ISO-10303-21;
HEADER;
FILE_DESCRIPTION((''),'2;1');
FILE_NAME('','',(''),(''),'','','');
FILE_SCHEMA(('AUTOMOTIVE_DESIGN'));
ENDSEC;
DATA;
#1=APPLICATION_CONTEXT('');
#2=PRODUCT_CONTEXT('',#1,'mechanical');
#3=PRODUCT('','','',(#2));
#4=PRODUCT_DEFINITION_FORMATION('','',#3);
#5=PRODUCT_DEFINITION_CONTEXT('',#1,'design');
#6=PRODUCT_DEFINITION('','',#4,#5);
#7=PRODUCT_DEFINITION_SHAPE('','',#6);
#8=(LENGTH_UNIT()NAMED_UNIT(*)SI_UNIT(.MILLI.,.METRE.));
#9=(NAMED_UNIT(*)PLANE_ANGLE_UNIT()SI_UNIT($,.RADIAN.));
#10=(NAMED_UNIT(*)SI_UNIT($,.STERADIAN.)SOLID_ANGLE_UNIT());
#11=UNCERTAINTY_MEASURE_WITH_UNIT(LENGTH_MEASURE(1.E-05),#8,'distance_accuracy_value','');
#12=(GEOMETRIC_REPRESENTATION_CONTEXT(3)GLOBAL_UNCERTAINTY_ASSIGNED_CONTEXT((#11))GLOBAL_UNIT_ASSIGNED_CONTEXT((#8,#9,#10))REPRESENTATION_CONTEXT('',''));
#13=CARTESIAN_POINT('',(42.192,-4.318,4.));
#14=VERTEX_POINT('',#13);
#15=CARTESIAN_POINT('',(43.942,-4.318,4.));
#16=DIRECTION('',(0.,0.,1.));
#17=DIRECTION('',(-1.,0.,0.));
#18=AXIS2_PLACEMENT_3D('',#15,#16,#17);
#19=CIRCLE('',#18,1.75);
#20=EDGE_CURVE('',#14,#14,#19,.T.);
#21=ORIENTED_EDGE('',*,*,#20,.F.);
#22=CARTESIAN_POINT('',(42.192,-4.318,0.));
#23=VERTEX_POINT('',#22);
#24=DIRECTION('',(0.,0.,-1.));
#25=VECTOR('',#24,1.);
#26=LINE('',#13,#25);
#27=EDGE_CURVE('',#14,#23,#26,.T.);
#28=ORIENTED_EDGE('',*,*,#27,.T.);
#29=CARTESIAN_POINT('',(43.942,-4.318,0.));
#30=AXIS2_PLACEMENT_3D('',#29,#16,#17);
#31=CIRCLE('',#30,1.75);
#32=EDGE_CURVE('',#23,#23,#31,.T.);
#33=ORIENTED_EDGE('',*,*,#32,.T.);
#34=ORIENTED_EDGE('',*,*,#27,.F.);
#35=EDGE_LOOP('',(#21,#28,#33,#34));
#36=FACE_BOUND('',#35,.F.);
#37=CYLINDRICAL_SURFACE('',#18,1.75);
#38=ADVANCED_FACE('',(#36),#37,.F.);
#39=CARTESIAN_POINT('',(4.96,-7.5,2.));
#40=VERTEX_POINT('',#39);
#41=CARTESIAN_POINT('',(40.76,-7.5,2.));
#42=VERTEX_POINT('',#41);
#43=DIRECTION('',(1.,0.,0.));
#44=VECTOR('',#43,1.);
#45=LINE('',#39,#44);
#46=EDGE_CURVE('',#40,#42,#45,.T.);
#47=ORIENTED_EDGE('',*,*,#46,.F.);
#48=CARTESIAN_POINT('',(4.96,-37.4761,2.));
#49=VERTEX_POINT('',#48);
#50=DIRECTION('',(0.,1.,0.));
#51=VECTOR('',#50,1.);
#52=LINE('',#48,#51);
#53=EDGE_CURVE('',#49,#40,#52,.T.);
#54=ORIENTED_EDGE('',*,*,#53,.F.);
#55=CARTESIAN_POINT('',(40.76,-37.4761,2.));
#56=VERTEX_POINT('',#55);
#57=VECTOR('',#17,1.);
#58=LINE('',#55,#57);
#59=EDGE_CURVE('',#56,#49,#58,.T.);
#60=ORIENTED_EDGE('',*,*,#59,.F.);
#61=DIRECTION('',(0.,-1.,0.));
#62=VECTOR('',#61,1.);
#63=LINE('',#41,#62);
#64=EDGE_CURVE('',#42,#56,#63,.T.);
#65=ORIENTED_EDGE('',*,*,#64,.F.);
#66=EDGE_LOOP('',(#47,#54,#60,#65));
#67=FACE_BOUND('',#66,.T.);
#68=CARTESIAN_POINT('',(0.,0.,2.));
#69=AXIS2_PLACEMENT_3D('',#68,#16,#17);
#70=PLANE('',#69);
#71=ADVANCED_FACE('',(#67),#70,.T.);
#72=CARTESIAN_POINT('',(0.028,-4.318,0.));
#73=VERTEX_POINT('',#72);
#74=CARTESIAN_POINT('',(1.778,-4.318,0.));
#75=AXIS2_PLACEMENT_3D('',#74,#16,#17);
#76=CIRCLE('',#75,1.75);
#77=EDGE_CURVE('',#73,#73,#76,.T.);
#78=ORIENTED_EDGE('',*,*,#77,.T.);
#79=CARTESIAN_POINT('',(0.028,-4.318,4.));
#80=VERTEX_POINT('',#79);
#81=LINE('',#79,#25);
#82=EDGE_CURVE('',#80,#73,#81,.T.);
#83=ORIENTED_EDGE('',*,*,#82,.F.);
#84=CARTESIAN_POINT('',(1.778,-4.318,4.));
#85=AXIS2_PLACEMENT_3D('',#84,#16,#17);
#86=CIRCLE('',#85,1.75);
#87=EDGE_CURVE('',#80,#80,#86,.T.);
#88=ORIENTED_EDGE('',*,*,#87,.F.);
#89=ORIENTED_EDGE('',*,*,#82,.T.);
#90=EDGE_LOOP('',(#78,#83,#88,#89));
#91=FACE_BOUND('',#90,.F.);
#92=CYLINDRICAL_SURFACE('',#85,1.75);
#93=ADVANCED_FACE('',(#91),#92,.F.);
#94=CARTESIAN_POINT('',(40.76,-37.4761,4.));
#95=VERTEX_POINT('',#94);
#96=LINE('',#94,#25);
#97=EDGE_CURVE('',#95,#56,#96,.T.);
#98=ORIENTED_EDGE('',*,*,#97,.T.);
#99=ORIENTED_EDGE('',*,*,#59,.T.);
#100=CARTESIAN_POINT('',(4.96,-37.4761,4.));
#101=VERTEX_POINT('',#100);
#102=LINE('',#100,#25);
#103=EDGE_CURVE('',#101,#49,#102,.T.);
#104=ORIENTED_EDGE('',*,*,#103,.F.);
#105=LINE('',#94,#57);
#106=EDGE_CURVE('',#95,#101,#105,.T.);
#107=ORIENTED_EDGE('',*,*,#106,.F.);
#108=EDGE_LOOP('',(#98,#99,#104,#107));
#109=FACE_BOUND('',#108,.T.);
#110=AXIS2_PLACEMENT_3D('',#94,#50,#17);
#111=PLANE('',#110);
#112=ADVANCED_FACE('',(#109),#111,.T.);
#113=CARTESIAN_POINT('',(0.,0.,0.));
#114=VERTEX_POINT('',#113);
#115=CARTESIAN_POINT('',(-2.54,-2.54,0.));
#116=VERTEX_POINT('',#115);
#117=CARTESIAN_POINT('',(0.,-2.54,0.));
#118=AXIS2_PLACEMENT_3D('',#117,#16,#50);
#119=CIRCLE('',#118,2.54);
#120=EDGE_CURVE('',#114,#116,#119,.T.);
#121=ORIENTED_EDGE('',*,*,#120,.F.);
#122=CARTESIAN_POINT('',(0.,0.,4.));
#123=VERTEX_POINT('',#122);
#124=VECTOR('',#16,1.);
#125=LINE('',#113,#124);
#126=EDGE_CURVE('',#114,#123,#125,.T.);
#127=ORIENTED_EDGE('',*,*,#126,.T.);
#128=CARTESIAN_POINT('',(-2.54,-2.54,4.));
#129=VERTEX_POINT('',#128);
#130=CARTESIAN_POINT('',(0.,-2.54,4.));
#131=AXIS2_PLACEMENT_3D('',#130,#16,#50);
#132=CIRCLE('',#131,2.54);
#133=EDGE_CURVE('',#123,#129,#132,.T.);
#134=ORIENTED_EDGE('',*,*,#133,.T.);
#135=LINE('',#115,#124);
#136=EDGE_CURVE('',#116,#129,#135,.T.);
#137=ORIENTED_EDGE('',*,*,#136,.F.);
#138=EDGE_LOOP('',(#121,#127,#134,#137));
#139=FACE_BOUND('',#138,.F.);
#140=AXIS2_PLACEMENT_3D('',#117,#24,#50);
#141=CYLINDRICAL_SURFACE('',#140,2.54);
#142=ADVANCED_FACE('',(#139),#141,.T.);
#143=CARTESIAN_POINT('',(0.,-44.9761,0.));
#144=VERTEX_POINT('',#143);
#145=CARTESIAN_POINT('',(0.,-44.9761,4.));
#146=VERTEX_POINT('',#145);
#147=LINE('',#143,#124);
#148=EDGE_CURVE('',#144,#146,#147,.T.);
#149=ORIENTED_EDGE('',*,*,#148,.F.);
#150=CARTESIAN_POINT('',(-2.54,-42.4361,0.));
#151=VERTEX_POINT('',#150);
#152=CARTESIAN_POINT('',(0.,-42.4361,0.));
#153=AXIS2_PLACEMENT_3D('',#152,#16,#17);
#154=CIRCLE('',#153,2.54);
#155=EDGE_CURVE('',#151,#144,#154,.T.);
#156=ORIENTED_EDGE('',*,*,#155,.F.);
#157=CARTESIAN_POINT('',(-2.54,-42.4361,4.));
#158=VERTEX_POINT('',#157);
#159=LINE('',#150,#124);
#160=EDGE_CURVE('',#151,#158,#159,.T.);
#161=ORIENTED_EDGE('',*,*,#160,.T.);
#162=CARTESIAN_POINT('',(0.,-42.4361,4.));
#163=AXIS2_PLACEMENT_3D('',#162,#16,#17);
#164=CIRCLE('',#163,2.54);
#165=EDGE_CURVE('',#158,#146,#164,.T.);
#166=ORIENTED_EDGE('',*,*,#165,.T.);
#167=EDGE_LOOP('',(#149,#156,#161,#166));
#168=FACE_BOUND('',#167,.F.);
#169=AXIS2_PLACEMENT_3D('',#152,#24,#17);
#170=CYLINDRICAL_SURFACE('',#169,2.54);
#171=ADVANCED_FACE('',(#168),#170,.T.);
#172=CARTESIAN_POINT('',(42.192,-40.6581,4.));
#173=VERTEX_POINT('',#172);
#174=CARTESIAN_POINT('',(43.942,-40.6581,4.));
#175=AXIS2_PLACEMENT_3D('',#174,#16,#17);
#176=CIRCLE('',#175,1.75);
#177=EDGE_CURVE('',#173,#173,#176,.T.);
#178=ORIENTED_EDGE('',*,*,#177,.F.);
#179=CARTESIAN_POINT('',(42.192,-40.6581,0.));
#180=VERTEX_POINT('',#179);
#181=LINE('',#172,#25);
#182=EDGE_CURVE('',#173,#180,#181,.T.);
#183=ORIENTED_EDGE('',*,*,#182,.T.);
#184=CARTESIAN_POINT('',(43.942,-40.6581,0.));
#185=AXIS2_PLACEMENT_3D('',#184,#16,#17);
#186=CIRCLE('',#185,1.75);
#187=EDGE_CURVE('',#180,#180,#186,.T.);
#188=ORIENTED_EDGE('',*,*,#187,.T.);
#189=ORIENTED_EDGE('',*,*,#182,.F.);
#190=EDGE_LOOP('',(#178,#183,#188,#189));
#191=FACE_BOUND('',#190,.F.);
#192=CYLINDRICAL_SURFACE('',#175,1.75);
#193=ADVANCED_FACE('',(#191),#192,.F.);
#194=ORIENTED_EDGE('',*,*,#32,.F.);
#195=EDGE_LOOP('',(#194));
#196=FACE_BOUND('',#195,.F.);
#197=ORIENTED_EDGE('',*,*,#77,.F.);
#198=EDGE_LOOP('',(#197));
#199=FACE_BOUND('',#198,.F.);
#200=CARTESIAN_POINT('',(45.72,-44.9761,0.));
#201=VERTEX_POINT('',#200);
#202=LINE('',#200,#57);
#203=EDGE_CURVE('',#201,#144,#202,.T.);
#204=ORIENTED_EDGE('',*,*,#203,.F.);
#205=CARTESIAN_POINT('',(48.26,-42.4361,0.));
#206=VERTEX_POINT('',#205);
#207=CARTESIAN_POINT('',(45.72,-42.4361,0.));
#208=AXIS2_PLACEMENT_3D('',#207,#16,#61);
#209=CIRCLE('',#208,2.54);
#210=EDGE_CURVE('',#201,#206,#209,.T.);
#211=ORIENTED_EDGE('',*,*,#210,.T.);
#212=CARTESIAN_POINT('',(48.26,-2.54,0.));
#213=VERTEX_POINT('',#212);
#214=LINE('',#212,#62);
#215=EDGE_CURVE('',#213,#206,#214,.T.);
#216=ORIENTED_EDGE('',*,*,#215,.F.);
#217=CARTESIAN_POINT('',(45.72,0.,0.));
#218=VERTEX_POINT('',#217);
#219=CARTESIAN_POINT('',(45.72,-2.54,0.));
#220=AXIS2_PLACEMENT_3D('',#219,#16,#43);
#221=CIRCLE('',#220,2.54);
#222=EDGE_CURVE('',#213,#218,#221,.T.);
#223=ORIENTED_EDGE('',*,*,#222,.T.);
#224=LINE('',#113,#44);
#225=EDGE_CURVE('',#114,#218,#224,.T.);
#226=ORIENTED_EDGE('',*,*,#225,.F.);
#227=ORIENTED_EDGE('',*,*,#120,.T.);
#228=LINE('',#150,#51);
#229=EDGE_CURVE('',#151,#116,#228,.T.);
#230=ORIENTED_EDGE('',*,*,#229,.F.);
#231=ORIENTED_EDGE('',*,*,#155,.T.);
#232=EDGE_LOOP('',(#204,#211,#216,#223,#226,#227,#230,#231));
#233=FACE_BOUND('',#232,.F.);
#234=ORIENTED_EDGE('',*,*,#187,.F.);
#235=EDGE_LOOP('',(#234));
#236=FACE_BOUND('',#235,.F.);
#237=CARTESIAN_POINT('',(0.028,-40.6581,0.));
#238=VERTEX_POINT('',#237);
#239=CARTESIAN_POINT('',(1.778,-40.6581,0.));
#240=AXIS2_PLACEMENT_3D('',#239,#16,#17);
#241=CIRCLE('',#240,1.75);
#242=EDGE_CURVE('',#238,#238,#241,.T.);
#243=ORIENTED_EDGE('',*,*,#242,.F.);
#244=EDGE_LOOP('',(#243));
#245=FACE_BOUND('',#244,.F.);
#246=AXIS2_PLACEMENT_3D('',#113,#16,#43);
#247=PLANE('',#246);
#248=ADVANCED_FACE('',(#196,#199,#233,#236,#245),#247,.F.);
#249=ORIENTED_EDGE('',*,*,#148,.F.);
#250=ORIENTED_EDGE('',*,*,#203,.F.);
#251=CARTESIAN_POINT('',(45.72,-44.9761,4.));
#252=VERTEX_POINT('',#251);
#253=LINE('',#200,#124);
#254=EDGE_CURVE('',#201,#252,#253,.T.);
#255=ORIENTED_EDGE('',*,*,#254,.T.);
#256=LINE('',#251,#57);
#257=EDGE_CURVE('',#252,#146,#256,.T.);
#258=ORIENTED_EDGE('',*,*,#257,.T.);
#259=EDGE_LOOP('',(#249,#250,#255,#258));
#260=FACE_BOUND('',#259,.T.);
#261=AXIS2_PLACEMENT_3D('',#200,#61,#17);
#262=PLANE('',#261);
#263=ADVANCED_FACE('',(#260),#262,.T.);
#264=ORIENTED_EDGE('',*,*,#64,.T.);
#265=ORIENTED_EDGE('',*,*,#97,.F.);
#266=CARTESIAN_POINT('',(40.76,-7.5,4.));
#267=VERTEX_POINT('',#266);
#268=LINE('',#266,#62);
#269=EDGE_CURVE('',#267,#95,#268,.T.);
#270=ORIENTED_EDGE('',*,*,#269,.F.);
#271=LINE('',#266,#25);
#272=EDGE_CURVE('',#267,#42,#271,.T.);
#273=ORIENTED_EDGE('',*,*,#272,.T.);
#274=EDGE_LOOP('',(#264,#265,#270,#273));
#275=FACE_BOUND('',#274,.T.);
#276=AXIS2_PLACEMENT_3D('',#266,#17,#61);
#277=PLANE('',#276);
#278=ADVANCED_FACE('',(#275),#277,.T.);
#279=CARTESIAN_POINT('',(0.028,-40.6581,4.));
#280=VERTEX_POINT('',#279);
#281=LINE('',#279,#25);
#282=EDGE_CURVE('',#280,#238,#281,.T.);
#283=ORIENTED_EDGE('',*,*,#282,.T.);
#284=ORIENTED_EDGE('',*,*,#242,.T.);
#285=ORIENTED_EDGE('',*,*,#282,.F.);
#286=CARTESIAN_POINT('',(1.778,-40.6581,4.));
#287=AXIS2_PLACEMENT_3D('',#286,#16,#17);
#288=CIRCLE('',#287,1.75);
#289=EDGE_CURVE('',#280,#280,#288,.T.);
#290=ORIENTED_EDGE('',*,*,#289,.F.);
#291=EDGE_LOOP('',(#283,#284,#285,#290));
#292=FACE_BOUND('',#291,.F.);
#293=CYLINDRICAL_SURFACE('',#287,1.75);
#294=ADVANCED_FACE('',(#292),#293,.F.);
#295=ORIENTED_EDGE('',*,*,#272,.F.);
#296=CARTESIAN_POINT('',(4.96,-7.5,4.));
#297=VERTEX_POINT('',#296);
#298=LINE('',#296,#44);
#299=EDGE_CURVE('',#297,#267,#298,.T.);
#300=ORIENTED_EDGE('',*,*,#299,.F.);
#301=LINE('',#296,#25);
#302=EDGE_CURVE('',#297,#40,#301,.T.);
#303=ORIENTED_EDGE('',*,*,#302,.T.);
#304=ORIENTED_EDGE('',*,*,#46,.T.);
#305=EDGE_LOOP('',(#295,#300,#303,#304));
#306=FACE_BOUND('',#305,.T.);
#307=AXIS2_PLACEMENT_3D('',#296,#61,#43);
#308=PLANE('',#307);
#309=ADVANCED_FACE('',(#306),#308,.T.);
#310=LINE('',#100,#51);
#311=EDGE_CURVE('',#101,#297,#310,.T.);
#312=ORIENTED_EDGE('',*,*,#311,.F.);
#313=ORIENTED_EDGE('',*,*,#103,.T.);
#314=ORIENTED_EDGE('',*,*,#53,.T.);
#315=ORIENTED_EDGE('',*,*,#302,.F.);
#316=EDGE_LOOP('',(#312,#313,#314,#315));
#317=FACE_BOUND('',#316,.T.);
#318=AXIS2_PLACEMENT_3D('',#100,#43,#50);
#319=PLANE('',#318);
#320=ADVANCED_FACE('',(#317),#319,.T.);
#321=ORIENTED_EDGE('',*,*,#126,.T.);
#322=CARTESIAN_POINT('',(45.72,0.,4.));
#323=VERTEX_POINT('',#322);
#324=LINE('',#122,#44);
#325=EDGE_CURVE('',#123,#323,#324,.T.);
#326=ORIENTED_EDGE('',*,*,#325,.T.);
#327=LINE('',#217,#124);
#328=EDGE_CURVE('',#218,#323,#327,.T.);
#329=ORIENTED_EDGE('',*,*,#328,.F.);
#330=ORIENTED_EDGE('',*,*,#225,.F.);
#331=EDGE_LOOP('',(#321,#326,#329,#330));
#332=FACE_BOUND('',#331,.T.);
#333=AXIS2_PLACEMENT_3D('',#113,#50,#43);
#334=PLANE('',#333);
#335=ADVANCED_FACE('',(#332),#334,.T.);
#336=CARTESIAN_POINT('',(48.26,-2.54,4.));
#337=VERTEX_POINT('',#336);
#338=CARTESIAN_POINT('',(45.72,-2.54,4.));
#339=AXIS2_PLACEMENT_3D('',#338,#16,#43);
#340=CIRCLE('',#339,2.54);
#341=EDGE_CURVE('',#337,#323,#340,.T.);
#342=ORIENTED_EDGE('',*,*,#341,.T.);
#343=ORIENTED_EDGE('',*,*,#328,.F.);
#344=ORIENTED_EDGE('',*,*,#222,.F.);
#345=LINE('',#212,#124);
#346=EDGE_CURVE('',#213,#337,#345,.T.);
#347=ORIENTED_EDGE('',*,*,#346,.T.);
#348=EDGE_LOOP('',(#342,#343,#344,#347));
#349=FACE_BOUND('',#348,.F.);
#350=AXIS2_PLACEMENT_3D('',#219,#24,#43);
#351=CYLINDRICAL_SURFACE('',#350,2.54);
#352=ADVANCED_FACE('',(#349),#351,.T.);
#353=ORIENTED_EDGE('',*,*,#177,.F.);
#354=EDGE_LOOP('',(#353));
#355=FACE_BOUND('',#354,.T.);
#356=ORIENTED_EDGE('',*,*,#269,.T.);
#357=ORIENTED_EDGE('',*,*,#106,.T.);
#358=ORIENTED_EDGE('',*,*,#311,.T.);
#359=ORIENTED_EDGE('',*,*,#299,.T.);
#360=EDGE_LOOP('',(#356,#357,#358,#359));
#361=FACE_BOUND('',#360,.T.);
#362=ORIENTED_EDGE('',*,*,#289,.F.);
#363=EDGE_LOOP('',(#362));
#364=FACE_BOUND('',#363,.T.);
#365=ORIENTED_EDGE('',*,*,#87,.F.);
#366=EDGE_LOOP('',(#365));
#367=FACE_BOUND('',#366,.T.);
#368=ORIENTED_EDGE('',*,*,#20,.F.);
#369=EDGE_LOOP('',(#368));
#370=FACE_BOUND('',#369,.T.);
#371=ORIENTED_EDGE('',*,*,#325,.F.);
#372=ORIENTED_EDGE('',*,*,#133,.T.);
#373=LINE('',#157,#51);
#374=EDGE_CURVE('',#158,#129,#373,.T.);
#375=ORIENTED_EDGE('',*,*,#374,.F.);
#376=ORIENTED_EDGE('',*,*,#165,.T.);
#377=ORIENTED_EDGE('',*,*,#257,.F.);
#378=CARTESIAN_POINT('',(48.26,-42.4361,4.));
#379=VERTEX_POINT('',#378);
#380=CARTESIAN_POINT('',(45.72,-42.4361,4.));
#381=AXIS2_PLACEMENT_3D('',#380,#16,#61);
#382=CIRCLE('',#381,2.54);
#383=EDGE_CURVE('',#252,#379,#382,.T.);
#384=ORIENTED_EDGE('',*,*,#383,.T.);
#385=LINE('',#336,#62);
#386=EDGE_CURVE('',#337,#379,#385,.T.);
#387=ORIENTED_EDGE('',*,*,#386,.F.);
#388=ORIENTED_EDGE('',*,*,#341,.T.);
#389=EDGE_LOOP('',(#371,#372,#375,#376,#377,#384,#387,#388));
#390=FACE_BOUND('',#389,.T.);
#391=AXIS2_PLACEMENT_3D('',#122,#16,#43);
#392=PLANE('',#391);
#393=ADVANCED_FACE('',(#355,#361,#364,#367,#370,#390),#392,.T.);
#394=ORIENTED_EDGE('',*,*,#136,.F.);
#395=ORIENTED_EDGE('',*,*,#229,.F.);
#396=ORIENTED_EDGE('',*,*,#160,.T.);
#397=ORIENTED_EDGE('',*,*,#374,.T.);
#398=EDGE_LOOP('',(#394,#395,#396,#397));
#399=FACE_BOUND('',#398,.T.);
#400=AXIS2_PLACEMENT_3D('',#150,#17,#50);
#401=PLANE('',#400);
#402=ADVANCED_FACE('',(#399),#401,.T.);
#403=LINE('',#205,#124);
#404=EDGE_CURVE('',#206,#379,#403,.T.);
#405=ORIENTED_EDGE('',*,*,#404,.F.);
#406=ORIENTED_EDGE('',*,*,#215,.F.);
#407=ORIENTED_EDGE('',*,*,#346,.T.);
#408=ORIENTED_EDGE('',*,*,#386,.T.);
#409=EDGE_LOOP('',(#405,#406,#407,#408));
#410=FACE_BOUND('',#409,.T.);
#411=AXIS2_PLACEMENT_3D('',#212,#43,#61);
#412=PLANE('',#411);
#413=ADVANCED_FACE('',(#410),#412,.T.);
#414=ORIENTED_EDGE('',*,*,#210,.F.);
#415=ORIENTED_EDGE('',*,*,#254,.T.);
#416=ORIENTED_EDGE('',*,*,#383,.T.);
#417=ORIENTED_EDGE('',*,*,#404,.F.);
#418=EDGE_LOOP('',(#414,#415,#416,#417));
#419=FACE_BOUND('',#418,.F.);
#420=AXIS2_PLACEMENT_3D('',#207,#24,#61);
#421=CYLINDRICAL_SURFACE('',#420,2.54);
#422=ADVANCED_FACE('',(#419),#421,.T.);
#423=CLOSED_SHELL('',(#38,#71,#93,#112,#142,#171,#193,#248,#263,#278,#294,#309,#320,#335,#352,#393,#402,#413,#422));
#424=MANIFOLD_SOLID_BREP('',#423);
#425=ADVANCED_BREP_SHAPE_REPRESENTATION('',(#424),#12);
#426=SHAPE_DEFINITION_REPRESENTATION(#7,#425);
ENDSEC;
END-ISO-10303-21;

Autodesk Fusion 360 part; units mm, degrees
sketch "Sketch10" plane through (0, 0, 0) normal (0, 0, 1) x (1, 0, 0)
  line L0 (0, 0) -> (45.72, 0)
  arc A0 (48.26, -2.54) -> (45.72, 0) centre (45.72, -2.54) ccw
  line L1 (45.72, -2.54) -> (48.26, -2.54) construction
  line L2 (45.72, -2.54) -> (45.72, 0) construction
  line L3 (48.26, -2.54) -> (48.26, -42.4361)
  arc A1 (48.26, -2.54) -> (45.72, 0) centre (45.72, -2.54) ccw
  arc A2 (45.72, -44.9761) -> (48.26, -42.4361) centre (45.72, -42.4361) ccw
  line L4 (0, -42.4361) -> (-2.54, -42.4361) construction
  line L5 (45.72, -44.9761) -> (0, -44.9761)
  arc A3 (-2.54, -42.4361) -> (0, -44.9761) centre (0, -42.4361) ccw
  arc A4 (-2.54, -42.4361) -> (0, -44.9761) centre (0, -42.4361) ccw
  line L6 (0, -42.4361) -> (0, -44.9761) construction
  arc A5 (0, 0) -> (-2.54, -2.54) centre (0, -2.54) ccw
  line L7 (-2.54, -42.4361) -> (-2.54, -2.54)
  point P0 (45.72, -44.9761)
  dimension "d5" = 45.72
  dimension "d7" = 2.54
  dimension "d8" = 90
  dimension "d9" = 39.8961
  dimension "d10" = 2.54
  dimension "d11" = 2.54
  dimension "d12" = 45.72
  dimension "d13" = 2.54
  dimension "d14" = 90
  dimension "d15" = 39.8961
  dimension "d16" = 2.54
  dimension "d17" = 2.54
extrude "Extrude3" add sketch "Sketch10" along normal blind 4
sketch "Sketch11" plane through (0, 0, 4) normal (0, 0, 1) x (-1, 0, 0)
  arc A0 (-45.72, 44.9761) -> (-48.26, 42.4361) centre (-45.72, 42.4361) ccw
  line L0 (-48.26, 42.4361) -> (-48.26, 2.54)
  arc A1 (-48.26, 2.54) -> (-45.72, 0) centre (-45.72, 2.54) ccw
  line L1 (-45.72, 0) -> (0, 0)
  arc A2 (0, 0) -> (2.54, 2.54) centre (0, 2.54) ccw
  line L2 (2.54, 2.54) -> (2.54, 42.4361)
  arc A3 (2.54, 42.4361) -> (0, 44.9761) centre (0, 42.4361) ccw
  line L3 (0, 44.9761) -> (-45.72, 44.9761)
  circle A4 centre (-1.778, 4.318) radius 1.75
  dimension "d22" = 3.5
extrude "Extrude4" cut sketch "Sketch11" against normal blind 4 contours A4
sketch "Sketch12" plane through (0, 0, 4) normal (0, 0, 1) x (-1, 0, 0)
  circle A0 centre (-1.778, 4.318) radius 1.75
  arc A1 (-45.72, 44.9761) -> (-48.26, 42.4361) centre (-45.72, 42.4361) ccw
  line L0 (-48.26, 42.4361) -> (-48.26, 2.54)
  arc A2 (-48.26, 2.54) -> (-45.72, 0) centre (-45.72, 2.54) ccw
  line L1 (-45.72, 0) -> (0, 0)
  arc A3 (0, 0) -> (2.54, 2.54) centre (0, 2.54) ccw
  line L2 (2.54, 2.54) -> (2.54, 42.4361)
  arc A4 (2.54, 42.4361) -> (0, 44.9761) centre (0, 42.4361) ccw
  line L3 (0, 44.9761) -> (-45.72, 44.9761)
  circle A5 centre (-43.942, 4.318) radius 1.75
  dimension "d27" = 3.5
extrude "Extrude5" cut sketch "Sketch12" against normal blind 4 contours A5
sketch "Sketch13" plane through (0, 0, 4) normal (0, 0, 1) x (-1, 0, 0)
  circle A0 centre (-43.942, 4.318) radius 1.75
  circle A1 centre (-1.778, 4.318) radius 1.75
  arc A2 (-45.72, 44.9761) -> (-48.26, 42.4361) centre (-45.72, 42.4361) ccw
  line L0 (-48.26, 42.4361) -> (-48.26, 2.54)
  arc A3 (-48.26, 2.54) -> (-45.72, 0) centre (-45.72, 2.54) ccw
  line L1 (-45.72, 0) -> (0, 0)
  arc A4 (0, 0) -> (2.54, 2.54) centre (0, 2.54) ccw
  line L2 (2.54, 2.54) -> (2.54, 42.4361)
  arc A5 (2.54, 42.4361) -> (0, 44.9761) centre (0, 42.4361) ccw
  line L3 (0, 44.9761) -> (-45.72, 44.9761)
  circle A6 centre (-1.778, 40.6581) radius 1.75
  dimension "d32" = 3.5
extrude "Extrude6" cut sketch "Sketch13" against normal blind 4 contours A6
sketch "Sketch14" plane through (0, 0, 4) normal (0, 0, 1) x (-1, 0, 0)
  circle A0 centre (-1.778, 40.6581) radius 1.75
  circle A1 centre (-43.942, 4.318) radius 1.75
  circle A2 centre (-1.778, 4.318) radius 1.75
  arc A3 (-45.72, 44.9761) -> (-48.26, 42.4361) centre (-45.72, 42.4361) ccw
  line L0 (-48.26, 42.4361) -> (-48.26, 2.54)
  arc A4 (-48.26, 2.54) -> (-45.72, 0) centre (-45.72, 2.54) ccw
  line L1 (-45.72, 0) -> (0, 0)
  arc A5 (0, 0) -> (2.54, 2.54) centre (0, 2.54) ccw
  line L2 (2.54, 2.54) -> (2.54, 42.4361)
  arc A6 (2.54, 42.4361) -> (0, 44.9761) centre (0, 42.4361) ccw
  line L3 (0, 44.9761) -> (-45.72, 44.9761)
  circle A7 centre (-43.942, 40.6581) radius 1.75
  dimension "d37" = 3.5
extrude "Extrude7" cut sketch "Sketch14" against normal blind 4 contours A7
sketch "Sketch15" plane through (0, 0, 4) normal (0, 0, 1) x (-1, 0, 0)
  circle A0 centre (-43.942, 40.6581) radius 1.75
  circle A1 centre (-1.778, 40.6581) radius 1.75
  circle A2 centre (-43.942, 4.318) radius 1.75
  circle A3 centre (-1.778, 4.318) radius 1.75
  arc A4 (-45.72, 44.9761) -> (-48.26, 42.4361) centre (-45.72, 42.4361) ccw
  line L0 (-48.26, 42.4361) -> (-48.26, 2.54)
  arc A5 (-48.26, 2.54) -> (-45.72, 0) centre (-45.72, 2.54) ccw
  line L1 (-45.72, 0) -> (0, 0)
  arc A6 (0, 0) -> (2.54, 2.54) centre (0, 2.54) ccw
  line L2 (2.54, 2.54) -> (2.54, 42.4361)
  arc A7 (2.54, 42.4361) -> (0, 44.9761) centre (0, 42.4361) ccw
  line L3 (0, 44.9761) -> (-45.72, 44.9761)
  line L4 (-4.96, 7.5) -> (-40.76, 7.5)
  line L5 (-40.76, 7.5) -> (-40.76, 37.4761)
  line L6 (-40.76, 37.4761) -> (-4.96, 37.4761)
  line L7 (-4.96, 37.4761) -> (-4.96, 7.5)
extrude "Extrude8" cut sketch "Sketch15" against normal blind 2 contours L4 L5 L6 L7
